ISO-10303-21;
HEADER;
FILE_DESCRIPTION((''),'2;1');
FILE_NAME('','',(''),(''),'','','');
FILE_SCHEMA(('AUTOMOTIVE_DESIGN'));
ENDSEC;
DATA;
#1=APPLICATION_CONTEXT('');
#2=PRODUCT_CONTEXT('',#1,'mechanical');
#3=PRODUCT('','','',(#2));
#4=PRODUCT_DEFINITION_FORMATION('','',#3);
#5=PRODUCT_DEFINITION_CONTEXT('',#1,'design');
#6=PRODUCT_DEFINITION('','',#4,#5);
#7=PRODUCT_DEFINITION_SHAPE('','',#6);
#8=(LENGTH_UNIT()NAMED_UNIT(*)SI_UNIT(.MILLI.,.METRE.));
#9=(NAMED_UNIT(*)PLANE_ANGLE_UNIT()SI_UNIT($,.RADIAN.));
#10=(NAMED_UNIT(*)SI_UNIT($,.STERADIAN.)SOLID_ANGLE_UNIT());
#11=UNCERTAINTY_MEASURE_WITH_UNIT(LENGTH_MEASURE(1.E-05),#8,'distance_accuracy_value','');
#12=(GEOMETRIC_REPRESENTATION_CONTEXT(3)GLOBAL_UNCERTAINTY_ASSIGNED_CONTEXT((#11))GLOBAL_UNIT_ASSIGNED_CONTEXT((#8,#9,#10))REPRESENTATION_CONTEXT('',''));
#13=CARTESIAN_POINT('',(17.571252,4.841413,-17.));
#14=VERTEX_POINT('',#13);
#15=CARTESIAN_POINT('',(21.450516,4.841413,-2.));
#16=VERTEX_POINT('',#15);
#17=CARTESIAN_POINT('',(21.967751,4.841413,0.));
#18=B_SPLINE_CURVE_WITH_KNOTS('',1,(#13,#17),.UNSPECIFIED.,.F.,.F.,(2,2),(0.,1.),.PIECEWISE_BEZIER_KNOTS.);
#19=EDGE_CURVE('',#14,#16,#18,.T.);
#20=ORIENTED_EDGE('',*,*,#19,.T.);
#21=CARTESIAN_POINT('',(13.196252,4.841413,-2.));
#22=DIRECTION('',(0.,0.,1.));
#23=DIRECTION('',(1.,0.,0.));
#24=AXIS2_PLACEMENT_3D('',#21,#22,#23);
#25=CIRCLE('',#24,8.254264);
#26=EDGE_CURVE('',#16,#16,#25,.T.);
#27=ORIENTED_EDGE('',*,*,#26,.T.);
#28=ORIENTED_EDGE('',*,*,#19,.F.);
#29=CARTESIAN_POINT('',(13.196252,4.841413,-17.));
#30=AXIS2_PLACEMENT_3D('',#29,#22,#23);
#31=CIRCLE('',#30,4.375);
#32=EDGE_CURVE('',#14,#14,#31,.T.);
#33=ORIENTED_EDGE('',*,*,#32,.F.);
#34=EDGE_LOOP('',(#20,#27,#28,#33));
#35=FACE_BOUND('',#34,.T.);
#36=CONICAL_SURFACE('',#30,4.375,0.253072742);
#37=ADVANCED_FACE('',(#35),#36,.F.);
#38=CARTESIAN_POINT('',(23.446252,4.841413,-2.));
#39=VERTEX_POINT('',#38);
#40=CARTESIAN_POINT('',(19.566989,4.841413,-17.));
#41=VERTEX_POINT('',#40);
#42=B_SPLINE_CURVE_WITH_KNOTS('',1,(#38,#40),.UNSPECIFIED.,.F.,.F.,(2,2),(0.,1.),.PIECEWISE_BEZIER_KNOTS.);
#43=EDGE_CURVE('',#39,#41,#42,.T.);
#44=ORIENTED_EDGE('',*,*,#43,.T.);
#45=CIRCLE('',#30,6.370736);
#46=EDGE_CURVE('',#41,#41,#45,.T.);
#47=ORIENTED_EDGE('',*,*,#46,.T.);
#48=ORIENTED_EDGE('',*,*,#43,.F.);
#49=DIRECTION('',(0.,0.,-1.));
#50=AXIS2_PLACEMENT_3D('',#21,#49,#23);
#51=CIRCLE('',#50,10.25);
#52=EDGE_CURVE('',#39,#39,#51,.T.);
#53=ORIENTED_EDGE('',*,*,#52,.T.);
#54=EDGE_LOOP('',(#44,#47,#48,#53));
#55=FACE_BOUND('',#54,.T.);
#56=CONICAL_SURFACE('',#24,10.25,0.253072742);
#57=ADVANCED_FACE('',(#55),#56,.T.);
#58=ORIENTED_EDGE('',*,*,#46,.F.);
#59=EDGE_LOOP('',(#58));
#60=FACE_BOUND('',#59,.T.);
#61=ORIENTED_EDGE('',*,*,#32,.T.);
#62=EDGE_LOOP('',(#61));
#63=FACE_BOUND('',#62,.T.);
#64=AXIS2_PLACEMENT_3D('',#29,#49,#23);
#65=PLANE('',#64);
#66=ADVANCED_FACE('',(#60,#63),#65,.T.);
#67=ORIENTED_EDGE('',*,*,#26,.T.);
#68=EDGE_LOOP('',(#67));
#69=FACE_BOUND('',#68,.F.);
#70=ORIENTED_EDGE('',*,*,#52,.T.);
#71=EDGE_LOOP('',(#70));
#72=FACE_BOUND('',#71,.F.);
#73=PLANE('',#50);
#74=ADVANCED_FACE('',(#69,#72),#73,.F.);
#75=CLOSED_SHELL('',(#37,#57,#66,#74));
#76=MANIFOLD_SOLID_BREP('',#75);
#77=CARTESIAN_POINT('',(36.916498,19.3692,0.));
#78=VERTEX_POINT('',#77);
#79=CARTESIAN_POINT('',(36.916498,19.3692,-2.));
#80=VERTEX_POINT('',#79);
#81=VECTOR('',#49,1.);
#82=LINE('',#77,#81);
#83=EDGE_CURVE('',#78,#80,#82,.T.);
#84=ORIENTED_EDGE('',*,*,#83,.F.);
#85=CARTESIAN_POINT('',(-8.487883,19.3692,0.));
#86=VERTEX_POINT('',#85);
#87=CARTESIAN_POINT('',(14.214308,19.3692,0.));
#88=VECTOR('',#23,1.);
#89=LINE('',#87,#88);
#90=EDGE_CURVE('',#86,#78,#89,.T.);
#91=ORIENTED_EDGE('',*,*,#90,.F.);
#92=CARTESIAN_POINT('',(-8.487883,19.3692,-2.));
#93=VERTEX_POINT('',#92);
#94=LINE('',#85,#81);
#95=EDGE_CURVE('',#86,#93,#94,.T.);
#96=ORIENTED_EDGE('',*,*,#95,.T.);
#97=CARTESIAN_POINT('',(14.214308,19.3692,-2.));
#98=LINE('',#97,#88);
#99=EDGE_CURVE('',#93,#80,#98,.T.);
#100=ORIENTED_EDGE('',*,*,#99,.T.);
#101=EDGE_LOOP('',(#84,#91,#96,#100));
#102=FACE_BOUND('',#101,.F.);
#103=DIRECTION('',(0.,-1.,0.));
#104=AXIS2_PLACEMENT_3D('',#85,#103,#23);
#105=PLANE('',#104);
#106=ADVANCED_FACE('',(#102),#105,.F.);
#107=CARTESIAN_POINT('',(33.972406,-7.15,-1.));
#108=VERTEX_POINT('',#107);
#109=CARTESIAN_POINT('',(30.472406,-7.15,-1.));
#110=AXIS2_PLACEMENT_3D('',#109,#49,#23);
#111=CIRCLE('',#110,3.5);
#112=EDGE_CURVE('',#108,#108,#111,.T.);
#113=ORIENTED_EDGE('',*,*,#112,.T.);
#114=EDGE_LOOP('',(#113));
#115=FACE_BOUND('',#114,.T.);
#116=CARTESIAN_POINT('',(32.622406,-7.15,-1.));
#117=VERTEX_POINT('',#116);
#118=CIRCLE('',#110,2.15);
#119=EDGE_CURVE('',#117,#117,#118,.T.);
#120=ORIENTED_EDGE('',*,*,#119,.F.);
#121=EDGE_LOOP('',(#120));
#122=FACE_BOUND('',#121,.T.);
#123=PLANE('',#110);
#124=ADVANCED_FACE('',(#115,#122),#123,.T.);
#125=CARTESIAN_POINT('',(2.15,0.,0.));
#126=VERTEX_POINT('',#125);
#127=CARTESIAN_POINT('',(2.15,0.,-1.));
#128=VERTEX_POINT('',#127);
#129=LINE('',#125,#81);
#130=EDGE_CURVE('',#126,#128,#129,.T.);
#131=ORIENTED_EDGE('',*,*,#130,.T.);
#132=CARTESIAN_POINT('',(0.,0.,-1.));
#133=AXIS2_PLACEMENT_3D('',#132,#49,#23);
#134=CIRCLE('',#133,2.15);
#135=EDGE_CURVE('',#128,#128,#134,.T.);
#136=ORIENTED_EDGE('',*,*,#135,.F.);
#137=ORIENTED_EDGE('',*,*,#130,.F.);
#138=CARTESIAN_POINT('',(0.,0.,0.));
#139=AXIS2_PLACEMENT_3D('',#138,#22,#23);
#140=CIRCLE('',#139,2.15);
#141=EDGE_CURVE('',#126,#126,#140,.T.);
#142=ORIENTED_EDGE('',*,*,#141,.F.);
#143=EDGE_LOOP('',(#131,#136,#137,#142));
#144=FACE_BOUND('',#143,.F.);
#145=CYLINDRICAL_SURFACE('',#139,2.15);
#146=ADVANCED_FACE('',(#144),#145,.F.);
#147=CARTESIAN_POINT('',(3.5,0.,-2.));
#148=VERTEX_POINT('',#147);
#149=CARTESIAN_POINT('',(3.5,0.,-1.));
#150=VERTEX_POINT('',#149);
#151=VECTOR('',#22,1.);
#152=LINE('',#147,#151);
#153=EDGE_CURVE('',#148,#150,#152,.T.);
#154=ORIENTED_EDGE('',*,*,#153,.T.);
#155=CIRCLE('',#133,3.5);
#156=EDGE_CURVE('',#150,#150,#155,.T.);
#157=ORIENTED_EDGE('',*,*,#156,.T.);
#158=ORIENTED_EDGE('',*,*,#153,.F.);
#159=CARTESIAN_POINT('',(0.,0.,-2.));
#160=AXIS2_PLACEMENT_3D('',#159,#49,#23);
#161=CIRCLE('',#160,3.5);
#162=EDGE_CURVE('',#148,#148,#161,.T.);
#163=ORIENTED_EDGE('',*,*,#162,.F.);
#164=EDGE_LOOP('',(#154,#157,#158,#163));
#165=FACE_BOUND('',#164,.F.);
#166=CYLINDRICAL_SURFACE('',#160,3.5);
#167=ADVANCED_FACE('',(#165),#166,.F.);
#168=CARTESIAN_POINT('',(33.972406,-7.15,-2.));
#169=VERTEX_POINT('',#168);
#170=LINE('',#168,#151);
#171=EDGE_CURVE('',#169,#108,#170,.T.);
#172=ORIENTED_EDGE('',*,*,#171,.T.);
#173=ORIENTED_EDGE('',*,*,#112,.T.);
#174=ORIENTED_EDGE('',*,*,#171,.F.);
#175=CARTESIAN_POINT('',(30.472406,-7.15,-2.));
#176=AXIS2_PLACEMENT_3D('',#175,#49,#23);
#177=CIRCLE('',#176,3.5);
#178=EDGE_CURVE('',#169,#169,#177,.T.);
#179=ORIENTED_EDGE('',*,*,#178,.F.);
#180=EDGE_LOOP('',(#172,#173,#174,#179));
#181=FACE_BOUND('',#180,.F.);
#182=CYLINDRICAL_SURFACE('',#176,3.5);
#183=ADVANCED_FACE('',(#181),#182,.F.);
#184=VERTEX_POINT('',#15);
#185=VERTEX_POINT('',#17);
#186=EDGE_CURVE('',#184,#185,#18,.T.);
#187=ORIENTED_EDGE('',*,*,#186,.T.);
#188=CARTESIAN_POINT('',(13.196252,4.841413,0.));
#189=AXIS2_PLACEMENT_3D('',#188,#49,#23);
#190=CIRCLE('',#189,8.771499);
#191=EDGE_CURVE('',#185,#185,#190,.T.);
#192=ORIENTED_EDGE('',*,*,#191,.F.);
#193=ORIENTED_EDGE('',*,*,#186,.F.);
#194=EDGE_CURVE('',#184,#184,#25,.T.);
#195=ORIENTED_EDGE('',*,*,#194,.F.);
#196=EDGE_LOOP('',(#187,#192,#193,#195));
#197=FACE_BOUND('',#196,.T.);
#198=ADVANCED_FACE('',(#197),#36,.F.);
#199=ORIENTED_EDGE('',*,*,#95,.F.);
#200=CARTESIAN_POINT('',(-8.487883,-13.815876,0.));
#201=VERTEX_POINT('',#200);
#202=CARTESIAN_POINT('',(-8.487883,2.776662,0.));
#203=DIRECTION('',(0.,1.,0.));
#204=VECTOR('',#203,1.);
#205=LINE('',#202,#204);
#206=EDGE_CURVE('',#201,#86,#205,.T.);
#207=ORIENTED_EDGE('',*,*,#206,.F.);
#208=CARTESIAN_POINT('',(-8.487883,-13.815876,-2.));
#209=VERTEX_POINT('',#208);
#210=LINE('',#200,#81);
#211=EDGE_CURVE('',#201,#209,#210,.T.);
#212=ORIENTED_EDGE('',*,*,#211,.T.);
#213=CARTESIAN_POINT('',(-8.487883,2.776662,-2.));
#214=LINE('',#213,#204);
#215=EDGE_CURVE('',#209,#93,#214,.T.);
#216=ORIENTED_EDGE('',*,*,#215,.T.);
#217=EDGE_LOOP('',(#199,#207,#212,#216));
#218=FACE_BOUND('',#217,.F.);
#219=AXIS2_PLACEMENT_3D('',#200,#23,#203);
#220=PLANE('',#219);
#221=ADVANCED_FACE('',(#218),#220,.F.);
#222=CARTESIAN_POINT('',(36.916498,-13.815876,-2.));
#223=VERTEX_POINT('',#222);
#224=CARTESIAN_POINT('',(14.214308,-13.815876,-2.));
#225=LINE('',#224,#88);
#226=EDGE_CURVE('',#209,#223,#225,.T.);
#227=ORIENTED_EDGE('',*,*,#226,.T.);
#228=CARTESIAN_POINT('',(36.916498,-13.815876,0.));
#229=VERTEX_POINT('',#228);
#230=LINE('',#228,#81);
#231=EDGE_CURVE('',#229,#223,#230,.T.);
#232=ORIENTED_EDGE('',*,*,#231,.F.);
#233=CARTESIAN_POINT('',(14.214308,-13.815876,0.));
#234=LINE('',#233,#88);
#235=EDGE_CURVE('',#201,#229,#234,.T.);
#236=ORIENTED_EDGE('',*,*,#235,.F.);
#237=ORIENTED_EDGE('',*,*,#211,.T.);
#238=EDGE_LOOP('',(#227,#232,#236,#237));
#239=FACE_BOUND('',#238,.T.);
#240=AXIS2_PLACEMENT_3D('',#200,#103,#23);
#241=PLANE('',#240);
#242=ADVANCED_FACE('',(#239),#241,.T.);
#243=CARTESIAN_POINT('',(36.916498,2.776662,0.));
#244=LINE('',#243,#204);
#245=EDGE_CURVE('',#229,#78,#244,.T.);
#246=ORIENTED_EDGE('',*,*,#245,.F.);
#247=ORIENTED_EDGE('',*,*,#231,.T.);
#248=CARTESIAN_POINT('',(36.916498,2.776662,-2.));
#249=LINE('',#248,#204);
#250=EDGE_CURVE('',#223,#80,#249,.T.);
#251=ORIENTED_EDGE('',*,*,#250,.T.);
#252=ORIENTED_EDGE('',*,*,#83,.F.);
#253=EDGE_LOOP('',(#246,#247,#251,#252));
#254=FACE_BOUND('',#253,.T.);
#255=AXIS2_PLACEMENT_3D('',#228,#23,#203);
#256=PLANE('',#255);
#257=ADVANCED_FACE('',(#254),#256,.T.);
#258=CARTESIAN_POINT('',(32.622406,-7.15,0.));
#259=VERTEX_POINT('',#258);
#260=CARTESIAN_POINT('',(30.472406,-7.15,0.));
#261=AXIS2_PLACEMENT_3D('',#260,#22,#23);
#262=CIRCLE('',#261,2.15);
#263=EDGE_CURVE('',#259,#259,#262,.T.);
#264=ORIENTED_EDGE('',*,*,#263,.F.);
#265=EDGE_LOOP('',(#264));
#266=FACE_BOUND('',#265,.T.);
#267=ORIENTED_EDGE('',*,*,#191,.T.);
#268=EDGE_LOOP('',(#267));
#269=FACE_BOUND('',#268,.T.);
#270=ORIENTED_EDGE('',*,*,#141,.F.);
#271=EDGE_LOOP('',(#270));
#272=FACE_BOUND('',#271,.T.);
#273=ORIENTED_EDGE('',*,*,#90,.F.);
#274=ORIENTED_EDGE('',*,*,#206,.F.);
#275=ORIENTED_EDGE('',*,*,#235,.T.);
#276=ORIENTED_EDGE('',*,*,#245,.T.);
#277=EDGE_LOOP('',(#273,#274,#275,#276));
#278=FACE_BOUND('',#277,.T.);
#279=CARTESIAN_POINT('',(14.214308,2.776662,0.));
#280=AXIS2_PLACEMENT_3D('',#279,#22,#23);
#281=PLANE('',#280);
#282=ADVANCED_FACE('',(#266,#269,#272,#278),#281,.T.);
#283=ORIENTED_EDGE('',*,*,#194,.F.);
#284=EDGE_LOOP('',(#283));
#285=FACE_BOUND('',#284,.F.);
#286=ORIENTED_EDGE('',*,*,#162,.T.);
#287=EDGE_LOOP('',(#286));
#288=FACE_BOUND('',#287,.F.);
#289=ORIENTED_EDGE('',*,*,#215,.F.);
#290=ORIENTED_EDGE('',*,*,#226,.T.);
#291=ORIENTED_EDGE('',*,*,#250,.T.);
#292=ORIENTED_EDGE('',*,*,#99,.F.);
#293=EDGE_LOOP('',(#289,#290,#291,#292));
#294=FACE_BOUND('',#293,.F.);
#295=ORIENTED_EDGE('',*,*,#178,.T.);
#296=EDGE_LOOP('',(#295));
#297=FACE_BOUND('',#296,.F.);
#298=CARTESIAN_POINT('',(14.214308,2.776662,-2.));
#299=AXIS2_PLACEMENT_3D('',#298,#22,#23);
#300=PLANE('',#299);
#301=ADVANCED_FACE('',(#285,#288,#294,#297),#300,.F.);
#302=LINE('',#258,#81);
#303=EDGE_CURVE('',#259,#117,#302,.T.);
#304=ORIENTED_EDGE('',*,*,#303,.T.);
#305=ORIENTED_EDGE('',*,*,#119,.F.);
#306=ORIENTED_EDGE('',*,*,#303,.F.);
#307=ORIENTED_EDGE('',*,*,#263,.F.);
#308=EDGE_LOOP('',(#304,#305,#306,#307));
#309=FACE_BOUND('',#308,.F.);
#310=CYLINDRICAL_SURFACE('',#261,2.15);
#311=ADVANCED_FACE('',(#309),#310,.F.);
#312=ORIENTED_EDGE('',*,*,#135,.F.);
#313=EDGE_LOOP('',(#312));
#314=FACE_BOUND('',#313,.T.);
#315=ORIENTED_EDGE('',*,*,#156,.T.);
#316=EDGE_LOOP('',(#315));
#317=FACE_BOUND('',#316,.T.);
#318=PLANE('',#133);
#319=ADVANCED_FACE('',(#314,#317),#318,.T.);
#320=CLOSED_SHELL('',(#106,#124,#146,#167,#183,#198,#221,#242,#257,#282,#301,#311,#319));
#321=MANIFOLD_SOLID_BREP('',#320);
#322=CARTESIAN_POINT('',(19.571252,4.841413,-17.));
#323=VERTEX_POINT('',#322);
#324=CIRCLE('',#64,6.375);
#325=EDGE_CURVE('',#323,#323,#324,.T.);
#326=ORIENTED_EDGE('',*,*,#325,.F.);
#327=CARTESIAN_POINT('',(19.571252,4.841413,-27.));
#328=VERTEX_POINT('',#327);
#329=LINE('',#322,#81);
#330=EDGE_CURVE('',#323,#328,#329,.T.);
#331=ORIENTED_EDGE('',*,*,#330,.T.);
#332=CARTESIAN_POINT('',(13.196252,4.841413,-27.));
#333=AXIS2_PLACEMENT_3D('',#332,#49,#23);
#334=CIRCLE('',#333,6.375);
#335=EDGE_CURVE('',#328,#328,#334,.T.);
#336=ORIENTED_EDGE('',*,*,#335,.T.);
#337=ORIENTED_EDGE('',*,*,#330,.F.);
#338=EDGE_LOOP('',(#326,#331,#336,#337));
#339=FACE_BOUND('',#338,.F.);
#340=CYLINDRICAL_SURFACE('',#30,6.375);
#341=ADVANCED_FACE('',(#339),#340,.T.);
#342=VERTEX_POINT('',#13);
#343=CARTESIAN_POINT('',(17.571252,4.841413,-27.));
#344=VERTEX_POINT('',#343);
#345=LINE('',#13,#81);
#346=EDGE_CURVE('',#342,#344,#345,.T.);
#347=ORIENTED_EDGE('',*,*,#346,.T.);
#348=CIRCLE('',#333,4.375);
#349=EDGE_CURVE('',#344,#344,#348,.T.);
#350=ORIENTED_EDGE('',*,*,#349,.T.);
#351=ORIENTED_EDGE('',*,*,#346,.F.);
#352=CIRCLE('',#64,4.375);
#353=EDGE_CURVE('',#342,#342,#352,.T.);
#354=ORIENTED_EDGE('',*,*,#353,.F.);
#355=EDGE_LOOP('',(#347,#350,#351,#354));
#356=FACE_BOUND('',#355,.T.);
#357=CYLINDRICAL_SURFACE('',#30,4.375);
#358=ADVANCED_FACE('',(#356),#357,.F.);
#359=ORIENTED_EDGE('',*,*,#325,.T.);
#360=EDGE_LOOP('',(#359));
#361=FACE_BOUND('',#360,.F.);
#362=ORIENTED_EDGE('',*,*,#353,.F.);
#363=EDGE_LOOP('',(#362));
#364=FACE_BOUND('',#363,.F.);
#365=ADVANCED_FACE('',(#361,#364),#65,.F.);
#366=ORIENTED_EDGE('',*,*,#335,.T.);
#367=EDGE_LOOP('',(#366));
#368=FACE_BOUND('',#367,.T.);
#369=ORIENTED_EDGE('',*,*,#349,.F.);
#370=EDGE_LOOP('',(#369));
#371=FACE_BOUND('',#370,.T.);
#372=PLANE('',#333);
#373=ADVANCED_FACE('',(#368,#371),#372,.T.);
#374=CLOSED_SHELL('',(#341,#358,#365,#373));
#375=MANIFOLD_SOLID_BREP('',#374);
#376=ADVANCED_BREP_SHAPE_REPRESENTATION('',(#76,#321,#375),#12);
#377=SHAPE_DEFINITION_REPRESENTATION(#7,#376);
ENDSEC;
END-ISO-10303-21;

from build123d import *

# Parameters (mm, degrees)
F0_W     = 45.4043811187
F0_H     = 33.1850759685
F0_R     = 2.15
F0_W_2   = 11.5
F0_H_2   = 11.5
F1_DEPTH = 2
F2_R     = 3.5
F2_R_2   = 2.15
F3_DEPTH = 1
F6_R     = 6.375
F6_R_2   = 4.375
F7_DEPTH = 10
F4_R     = 10.25
F4_R_2   = 8.25
F4_W     = 11.5
F4_H     = 11.5
F8_DEPTH = 15
F8_TAPER = 14.5
F9_DEPTH = 17
F9_TAPER = -14.5


with BuildPart() as f1:
    # F0 (on Top) → F1 (new body)
    with BuildSketch(Plane.XY):
        with Locations((14.2143075354, 2.7766618878)):
            Rectangle(F0_W, F0_H)
        Circle(F0_R, mode=Mode.SUBTRACT)
        with Locations((30.4724055499, -7.15)):
            Circle(F0_R, mode=Mode.SUBTRACT)
        with Locations((13.14, 4.9)):
            Rectangle(F0_W_2, F0_H_2, mode=Mode.SUBTRACT)
    extrude(amount=-F1_DEPTH)

    # F2 (on face) → F3 (cut)
    with BuildSketch(Plane(origin=(0, 0, -2), x_dir=(1, 0, 0), z_dir=(0, 0, -1))):
        with Locations((30.4724055499, 7.15)):
            Circle(F2_R)
        with Locations((30.4724055499, 7.15)):
            Circle(F2_R_2, mode=Mode.SUBTRACT)
        Circle(F2_R)
        Circle(F2_R_2, mode=Mode.SUBTRACT)
    extrude(amount=-F3_DEPTH, mode=Mode.SUBTRACT)


with BuildPart() as f7:
    # F6 (on offset) → F7 (new body)
    with BuildSketch(Plane(origin=(0, 0, -17), x_dir=(1, 0, 0), z_dir=(0, 0, -1))):
        with Locations((13.1962522864, -4.8414133489)):
            Circle(F6_R)
        with Locations((13.1962522864, -4.8414133489)):
            Circle(F6_R_2, mode=Mode.SUBTRACT)
    extrude(amount=F7_DEPTH)


with BuildPart() as f8:
    # F4 (on face) → F8 (new body)
    with BuildSketch(Plane(origin=(0, 0, -2), x_dir=(1, 0, 0), z_dir=(0, 0, -1))):
        with Locations((13.1962522864, -4.8414133489)):
            Circle(F4_R)
        with Locations((13.1962522864, -4.8414133489)):
            Circle(F4_R_2, mode=Mode.SUBTRACT)
        with Locations((13.1962522864, -4.8414133489)):
            Circle(F4_R_2)
        with Locations((13.14, -4.9)):
            Rectangle(F4_W, F4_H, mode=Mode.SUBTRACT)
        with Locations((13.14, -4.9)):
            Rectangle(F4_W, F4_H)
    extrude(amount=F8_DEPTH, taper=F8_TAPER)


with BuildPart() as f9_tool:
    # F6 (on offset) → F9 (new body, through all)
    with BuildSketch(Plane(origin=(0, 0, -17), x_dir=(1, 0, 0), z_dir=(0, 0, -1))):
        with Locations((13.1962522864, -4.8414133489)):
            Circle(F6_R_2)
    extrude(amount=-F9_DEPTH, taper=F9_TAPER)


with BuildPart() as f1_1:
    add(f1.part)

    # F9: cut by f9_tool
    add(f9_tool.part, mode=Mode.SUBTRACT)


with BuildPart() as f8_1:
    add(f8.part)

    # F9: cut by f9_tool
    add(f9_tool.part, mode=Mode.SUBTRACT)


solid = Compound([f7.part, f1_1.part, f8_1.part])
